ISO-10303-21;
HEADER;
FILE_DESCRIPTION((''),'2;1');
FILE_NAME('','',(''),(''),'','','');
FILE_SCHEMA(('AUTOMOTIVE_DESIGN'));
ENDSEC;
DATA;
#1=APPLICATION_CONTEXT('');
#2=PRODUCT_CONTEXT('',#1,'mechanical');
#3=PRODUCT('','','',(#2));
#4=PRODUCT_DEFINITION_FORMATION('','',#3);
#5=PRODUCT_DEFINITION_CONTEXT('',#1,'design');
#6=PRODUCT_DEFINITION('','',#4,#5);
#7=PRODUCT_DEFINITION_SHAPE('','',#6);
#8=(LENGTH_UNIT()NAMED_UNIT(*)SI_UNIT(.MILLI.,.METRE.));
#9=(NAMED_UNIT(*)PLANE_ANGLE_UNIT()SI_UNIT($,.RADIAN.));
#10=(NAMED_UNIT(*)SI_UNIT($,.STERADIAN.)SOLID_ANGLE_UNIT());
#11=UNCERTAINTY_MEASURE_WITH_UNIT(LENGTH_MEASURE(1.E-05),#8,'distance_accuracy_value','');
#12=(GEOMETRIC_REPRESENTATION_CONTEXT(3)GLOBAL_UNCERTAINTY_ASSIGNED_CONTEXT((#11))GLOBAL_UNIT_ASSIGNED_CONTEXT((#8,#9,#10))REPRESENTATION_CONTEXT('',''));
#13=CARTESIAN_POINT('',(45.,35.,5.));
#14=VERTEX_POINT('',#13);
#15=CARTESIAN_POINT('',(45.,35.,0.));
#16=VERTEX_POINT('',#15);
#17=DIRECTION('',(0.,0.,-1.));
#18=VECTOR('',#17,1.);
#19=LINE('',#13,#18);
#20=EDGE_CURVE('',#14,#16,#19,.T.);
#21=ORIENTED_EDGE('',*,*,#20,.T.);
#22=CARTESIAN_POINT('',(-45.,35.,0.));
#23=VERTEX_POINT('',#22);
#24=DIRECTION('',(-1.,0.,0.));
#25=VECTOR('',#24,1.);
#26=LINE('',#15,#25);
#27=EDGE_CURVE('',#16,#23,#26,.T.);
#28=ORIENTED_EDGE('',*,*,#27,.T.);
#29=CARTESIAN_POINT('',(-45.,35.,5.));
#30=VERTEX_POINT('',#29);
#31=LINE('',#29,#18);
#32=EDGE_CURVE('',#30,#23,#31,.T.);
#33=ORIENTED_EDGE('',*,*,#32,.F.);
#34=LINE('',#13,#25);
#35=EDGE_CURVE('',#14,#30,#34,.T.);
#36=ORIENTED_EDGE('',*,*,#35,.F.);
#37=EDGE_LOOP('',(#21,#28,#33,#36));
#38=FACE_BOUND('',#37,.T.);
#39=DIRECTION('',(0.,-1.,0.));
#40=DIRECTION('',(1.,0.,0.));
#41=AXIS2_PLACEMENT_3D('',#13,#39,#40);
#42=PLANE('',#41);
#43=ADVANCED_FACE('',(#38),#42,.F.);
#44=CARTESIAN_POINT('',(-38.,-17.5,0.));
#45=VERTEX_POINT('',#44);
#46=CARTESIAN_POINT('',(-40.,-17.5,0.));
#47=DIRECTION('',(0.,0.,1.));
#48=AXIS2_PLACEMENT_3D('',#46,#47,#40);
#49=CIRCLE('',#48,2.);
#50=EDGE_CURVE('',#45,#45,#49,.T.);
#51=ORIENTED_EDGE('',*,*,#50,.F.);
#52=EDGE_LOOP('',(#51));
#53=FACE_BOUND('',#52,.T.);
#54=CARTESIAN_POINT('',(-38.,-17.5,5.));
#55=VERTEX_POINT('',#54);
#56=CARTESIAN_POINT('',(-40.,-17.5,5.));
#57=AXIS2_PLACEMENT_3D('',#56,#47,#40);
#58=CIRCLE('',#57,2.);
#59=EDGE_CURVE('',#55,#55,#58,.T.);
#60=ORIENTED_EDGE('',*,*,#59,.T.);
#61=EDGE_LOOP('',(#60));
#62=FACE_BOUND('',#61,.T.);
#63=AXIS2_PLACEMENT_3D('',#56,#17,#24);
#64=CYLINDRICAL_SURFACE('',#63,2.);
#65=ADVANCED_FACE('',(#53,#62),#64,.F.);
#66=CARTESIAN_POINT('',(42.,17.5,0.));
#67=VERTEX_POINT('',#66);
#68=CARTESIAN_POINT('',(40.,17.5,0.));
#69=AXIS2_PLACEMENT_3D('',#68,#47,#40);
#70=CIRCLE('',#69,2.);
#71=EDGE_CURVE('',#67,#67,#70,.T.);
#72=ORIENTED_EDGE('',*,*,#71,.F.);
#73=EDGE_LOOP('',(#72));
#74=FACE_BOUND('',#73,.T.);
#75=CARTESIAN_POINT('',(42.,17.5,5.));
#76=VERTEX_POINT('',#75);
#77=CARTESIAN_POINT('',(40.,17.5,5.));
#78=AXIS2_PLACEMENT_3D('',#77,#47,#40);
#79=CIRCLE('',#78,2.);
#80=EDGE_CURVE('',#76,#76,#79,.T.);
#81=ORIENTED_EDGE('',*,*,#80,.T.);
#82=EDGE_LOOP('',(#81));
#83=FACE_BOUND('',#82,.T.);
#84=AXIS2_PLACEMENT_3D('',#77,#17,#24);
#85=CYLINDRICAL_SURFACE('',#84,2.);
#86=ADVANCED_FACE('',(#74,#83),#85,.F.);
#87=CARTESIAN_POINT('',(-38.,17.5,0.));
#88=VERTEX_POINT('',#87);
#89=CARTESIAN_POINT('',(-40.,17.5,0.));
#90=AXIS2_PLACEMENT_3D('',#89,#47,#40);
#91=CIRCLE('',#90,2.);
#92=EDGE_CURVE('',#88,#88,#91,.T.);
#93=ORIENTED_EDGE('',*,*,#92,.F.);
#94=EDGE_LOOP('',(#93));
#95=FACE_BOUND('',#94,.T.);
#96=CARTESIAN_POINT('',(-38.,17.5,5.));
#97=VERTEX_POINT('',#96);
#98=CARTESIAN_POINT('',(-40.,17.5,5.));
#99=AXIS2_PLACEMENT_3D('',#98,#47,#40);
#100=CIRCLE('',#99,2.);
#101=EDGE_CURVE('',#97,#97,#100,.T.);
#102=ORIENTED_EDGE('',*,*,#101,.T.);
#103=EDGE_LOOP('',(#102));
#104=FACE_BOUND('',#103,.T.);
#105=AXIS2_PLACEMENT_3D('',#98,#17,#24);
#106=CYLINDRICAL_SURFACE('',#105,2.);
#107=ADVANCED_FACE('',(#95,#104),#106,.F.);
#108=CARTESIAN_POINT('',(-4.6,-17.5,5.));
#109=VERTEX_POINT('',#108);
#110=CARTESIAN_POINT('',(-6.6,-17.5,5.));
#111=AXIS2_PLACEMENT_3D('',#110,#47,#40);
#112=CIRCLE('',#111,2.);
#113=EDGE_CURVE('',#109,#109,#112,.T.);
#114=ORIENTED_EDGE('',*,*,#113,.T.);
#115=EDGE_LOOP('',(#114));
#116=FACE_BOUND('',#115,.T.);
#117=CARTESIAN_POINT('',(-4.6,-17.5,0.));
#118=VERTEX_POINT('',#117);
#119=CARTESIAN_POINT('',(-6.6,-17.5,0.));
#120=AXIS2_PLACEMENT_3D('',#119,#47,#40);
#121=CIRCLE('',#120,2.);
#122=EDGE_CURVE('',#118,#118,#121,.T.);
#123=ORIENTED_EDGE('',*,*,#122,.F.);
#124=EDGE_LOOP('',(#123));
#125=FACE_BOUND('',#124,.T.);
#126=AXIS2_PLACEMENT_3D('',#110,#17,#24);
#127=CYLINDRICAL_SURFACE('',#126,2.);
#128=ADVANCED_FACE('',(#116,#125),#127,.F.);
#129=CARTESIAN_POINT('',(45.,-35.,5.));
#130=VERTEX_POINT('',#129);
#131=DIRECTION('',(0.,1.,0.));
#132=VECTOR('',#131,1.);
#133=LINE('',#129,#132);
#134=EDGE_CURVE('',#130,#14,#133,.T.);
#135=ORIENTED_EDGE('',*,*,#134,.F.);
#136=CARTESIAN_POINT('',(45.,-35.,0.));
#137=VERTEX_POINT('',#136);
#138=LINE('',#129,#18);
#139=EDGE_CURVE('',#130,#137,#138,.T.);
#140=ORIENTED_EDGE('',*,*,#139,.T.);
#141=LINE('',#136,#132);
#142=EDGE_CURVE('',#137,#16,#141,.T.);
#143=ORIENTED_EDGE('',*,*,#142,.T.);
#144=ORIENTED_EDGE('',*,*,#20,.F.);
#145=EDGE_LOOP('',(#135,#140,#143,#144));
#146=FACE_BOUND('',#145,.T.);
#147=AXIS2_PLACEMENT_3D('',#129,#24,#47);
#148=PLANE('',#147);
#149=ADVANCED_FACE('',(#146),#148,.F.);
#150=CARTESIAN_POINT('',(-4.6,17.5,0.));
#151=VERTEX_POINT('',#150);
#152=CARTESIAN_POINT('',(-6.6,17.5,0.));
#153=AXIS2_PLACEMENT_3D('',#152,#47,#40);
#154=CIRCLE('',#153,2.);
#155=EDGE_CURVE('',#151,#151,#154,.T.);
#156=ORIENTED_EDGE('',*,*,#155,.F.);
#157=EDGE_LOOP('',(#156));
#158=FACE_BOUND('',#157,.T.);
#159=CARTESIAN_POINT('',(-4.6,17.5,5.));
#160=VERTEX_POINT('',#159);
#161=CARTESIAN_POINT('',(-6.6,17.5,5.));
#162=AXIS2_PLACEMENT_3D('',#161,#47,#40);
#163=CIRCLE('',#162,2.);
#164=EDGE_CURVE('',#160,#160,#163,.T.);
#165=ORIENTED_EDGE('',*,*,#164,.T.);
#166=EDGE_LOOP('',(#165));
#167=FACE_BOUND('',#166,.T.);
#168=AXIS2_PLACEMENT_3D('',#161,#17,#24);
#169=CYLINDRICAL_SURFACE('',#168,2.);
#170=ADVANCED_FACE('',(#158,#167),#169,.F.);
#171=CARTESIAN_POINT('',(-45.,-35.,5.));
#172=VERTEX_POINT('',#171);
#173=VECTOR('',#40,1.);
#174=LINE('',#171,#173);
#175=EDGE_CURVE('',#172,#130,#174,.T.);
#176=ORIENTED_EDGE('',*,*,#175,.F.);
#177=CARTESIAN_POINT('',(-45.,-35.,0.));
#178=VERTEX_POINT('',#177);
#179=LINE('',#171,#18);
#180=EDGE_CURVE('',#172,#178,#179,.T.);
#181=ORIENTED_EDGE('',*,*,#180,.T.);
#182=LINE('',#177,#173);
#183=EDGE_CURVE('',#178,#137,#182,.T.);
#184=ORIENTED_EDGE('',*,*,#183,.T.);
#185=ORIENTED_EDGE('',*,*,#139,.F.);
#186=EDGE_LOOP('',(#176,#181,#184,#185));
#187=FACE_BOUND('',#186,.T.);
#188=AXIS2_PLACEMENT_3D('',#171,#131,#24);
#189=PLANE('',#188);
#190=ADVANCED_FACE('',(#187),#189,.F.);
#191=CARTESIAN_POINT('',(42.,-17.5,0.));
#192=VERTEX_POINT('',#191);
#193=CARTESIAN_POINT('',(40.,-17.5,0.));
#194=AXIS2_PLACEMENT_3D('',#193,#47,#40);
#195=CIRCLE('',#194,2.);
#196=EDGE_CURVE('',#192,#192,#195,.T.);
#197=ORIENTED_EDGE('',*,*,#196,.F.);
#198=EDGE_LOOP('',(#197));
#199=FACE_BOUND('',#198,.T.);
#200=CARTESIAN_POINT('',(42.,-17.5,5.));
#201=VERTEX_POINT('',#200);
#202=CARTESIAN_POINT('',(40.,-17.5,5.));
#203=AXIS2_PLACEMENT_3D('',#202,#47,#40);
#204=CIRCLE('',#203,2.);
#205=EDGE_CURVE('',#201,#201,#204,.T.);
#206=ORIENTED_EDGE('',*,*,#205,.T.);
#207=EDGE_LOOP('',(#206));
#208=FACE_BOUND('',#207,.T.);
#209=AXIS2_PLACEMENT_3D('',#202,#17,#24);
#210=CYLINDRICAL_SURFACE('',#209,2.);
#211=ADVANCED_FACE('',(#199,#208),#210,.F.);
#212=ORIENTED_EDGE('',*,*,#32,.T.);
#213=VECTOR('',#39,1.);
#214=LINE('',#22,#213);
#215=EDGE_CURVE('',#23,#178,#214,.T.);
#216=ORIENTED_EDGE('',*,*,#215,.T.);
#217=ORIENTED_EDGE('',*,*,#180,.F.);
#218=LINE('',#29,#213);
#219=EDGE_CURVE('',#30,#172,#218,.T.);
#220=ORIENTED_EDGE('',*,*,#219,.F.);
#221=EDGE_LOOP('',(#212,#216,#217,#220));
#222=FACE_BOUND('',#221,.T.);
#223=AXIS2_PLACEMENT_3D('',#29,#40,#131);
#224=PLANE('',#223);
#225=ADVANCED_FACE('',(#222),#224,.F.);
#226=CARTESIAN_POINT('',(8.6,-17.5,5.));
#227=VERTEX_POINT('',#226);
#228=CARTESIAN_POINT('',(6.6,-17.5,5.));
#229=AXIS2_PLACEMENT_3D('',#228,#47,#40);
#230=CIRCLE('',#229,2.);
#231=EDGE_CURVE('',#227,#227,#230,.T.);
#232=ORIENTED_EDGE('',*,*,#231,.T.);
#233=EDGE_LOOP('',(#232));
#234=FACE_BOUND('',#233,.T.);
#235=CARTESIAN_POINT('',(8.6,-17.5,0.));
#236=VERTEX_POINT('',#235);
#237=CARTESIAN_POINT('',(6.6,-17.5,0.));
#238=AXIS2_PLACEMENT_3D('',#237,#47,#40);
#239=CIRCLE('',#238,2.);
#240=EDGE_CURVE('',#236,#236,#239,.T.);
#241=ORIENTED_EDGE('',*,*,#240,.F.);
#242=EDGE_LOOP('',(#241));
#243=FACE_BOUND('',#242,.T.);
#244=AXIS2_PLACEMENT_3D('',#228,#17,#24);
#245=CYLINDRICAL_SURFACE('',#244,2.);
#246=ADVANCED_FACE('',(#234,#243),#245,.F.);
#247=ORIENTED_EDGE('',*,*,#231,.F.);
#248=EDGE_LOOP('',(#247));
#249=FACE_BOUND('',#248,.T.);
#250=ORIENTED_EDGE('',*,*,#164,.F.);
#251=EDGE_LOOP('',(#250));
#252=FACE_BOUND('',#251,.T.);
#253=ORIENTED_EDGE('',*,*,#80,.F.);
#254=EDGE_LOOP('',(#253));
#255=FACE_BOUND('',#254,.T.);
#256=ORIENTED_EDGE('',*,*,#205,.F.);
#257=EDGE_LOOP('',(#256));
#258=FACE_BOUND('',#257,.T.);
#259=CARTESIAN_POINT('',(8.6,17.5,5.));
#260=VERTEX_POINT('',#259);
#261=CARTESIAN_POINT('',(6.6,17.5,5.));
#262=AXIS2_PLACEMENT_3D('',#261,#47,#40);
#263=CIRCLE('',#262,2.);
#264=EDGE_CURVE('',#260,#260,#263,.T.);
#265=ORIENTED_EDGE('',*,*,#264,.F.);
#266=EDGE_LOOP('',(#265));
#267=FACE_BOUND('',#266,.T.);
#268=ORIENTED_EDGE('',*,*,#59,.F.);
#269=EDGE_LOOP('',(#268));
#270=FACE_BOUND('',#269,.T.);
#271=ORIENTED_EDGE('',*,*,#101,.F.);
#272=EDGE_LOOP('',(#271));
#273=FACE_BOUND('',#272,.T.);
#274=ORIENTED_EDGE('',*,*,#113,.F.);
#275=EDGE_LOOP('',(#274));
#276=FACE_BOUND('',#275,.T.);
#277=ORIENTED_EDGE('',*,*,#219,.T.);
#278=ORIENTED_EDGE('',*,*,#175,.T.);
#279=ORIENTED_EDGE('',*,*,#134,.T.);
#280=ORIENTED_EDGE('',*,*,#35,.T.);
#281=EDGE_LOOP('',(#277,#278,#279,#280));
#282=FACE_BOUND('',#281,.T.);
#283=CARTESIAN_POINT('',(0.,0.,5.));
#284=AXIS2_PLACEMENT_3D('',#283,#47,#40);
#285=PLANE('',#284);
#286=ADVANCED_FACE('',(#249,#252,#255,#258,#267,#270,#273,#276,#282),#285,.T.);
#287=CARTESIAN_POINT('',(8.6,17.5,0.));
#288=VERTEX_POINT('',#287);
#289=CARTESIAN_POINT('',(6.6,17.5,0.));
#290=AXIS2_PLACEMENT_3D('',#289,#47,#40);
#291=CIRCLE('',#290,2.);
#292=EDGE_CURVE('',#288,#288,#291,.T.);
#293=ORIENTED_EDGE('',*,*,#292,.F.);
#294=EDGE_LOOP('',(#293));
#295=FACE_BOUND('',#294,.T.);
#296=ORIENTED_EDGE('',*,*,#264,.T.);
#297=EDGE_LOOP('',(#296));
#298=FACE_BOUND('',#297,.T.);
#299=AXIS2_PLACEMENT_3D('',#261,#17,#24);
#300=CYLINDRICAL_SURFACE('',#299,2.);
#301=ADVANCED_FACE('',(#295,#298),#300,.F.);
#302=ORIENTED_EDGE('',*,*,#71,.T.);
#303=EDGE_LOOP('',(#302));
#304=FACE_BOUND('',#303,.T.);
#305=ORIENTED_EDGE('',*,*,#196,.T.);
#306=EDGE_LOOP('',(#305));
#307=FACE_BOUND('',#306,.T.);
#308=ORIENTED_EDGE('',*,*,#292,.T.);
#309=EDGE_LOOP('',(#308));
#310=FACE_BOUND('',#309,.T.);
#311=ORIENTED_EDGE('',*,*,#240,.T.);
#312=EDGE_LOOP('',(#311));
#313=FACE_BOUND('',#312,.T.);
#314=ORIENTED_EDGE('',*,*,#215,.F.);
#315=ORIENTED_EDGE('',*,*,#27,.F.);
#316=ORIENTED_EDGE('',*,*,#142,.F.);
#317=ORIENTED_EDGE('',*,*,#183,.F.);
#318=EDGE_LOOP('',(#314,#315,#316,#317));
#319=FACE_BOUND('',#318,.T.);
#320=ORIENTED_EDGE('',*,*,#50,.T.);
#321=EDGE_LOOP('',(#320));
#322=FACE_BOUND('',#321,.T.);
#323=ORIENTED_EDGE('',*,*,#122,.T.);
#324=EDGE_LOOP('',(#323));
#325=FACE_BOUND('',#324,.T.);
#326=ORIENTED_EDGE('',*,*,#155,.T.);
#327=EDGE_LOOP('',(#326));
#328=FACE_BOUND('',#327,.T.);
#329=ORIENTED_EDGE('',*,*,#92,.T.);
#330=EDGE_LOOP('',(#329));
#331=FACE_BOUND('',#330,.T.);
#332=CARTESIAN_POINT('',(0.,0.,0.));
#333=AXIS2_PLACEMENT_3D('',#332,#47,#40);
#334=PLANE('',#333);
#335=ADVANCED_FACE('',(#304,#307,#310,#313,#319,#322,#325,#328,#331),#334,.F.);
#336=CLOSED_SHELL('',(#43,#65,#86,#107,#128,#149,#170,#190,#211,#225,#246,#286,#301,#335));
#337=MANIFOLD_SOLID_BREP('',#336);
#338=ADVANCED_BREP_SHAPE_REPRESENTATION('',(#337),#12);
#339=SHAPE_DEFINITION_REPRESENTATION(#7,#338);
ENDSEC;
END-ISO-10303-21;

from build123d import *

# Parameters (mm, degrees)
SKETCH1_W           = 90
SKETCH1_H           = 70
SKETCH1_R           = 2
BOSS_EXTRUDE1_DEPTH = 5


with BuildPart() as part:
    # Sketch1 → Boss-Extrude1 (new body)
    with BuildSketch(Plane.XY):
        Rectangle(SKETCH1_W, SKETCH1_H)
        with Locations((-6.6, 17.5)):
            Circle(SKETCH1_R, mode=Mode.SUBTRACT)
        with Locations((6.6, 17.5)):
            Circle(SKETCH1_R, mode=Mode.SUBTRACT)
        with Locations((-6.6, -17.5)):
            Circle(SKETCH1_R, mode=Mode.SUBTRACT)
        with Locations((-40, 17.5)):
            Circle(SKETCH1_R, mode=Mode.SUBTRACT)
        with Locations((-40, -17.5)):
            Circle(SKETCH1_R, mode=Mode.SUBTRACT)
        with Locations((40, 17.5)):
            Circle(SKETCH1_R, mode=Mode.SUBTRACT)
        with Locations((6.6, -17.5)):
            Circle(SKETCH1_R, mode=Mode.SUBTRACT)
        with Locations((40, -17.5)):
            Circle(SKETCH1_R, mode=Mode.SUBTRACT)
    extrude(amount=BOSS_EXTRUDE1_DEPTH)


solid = part.part
